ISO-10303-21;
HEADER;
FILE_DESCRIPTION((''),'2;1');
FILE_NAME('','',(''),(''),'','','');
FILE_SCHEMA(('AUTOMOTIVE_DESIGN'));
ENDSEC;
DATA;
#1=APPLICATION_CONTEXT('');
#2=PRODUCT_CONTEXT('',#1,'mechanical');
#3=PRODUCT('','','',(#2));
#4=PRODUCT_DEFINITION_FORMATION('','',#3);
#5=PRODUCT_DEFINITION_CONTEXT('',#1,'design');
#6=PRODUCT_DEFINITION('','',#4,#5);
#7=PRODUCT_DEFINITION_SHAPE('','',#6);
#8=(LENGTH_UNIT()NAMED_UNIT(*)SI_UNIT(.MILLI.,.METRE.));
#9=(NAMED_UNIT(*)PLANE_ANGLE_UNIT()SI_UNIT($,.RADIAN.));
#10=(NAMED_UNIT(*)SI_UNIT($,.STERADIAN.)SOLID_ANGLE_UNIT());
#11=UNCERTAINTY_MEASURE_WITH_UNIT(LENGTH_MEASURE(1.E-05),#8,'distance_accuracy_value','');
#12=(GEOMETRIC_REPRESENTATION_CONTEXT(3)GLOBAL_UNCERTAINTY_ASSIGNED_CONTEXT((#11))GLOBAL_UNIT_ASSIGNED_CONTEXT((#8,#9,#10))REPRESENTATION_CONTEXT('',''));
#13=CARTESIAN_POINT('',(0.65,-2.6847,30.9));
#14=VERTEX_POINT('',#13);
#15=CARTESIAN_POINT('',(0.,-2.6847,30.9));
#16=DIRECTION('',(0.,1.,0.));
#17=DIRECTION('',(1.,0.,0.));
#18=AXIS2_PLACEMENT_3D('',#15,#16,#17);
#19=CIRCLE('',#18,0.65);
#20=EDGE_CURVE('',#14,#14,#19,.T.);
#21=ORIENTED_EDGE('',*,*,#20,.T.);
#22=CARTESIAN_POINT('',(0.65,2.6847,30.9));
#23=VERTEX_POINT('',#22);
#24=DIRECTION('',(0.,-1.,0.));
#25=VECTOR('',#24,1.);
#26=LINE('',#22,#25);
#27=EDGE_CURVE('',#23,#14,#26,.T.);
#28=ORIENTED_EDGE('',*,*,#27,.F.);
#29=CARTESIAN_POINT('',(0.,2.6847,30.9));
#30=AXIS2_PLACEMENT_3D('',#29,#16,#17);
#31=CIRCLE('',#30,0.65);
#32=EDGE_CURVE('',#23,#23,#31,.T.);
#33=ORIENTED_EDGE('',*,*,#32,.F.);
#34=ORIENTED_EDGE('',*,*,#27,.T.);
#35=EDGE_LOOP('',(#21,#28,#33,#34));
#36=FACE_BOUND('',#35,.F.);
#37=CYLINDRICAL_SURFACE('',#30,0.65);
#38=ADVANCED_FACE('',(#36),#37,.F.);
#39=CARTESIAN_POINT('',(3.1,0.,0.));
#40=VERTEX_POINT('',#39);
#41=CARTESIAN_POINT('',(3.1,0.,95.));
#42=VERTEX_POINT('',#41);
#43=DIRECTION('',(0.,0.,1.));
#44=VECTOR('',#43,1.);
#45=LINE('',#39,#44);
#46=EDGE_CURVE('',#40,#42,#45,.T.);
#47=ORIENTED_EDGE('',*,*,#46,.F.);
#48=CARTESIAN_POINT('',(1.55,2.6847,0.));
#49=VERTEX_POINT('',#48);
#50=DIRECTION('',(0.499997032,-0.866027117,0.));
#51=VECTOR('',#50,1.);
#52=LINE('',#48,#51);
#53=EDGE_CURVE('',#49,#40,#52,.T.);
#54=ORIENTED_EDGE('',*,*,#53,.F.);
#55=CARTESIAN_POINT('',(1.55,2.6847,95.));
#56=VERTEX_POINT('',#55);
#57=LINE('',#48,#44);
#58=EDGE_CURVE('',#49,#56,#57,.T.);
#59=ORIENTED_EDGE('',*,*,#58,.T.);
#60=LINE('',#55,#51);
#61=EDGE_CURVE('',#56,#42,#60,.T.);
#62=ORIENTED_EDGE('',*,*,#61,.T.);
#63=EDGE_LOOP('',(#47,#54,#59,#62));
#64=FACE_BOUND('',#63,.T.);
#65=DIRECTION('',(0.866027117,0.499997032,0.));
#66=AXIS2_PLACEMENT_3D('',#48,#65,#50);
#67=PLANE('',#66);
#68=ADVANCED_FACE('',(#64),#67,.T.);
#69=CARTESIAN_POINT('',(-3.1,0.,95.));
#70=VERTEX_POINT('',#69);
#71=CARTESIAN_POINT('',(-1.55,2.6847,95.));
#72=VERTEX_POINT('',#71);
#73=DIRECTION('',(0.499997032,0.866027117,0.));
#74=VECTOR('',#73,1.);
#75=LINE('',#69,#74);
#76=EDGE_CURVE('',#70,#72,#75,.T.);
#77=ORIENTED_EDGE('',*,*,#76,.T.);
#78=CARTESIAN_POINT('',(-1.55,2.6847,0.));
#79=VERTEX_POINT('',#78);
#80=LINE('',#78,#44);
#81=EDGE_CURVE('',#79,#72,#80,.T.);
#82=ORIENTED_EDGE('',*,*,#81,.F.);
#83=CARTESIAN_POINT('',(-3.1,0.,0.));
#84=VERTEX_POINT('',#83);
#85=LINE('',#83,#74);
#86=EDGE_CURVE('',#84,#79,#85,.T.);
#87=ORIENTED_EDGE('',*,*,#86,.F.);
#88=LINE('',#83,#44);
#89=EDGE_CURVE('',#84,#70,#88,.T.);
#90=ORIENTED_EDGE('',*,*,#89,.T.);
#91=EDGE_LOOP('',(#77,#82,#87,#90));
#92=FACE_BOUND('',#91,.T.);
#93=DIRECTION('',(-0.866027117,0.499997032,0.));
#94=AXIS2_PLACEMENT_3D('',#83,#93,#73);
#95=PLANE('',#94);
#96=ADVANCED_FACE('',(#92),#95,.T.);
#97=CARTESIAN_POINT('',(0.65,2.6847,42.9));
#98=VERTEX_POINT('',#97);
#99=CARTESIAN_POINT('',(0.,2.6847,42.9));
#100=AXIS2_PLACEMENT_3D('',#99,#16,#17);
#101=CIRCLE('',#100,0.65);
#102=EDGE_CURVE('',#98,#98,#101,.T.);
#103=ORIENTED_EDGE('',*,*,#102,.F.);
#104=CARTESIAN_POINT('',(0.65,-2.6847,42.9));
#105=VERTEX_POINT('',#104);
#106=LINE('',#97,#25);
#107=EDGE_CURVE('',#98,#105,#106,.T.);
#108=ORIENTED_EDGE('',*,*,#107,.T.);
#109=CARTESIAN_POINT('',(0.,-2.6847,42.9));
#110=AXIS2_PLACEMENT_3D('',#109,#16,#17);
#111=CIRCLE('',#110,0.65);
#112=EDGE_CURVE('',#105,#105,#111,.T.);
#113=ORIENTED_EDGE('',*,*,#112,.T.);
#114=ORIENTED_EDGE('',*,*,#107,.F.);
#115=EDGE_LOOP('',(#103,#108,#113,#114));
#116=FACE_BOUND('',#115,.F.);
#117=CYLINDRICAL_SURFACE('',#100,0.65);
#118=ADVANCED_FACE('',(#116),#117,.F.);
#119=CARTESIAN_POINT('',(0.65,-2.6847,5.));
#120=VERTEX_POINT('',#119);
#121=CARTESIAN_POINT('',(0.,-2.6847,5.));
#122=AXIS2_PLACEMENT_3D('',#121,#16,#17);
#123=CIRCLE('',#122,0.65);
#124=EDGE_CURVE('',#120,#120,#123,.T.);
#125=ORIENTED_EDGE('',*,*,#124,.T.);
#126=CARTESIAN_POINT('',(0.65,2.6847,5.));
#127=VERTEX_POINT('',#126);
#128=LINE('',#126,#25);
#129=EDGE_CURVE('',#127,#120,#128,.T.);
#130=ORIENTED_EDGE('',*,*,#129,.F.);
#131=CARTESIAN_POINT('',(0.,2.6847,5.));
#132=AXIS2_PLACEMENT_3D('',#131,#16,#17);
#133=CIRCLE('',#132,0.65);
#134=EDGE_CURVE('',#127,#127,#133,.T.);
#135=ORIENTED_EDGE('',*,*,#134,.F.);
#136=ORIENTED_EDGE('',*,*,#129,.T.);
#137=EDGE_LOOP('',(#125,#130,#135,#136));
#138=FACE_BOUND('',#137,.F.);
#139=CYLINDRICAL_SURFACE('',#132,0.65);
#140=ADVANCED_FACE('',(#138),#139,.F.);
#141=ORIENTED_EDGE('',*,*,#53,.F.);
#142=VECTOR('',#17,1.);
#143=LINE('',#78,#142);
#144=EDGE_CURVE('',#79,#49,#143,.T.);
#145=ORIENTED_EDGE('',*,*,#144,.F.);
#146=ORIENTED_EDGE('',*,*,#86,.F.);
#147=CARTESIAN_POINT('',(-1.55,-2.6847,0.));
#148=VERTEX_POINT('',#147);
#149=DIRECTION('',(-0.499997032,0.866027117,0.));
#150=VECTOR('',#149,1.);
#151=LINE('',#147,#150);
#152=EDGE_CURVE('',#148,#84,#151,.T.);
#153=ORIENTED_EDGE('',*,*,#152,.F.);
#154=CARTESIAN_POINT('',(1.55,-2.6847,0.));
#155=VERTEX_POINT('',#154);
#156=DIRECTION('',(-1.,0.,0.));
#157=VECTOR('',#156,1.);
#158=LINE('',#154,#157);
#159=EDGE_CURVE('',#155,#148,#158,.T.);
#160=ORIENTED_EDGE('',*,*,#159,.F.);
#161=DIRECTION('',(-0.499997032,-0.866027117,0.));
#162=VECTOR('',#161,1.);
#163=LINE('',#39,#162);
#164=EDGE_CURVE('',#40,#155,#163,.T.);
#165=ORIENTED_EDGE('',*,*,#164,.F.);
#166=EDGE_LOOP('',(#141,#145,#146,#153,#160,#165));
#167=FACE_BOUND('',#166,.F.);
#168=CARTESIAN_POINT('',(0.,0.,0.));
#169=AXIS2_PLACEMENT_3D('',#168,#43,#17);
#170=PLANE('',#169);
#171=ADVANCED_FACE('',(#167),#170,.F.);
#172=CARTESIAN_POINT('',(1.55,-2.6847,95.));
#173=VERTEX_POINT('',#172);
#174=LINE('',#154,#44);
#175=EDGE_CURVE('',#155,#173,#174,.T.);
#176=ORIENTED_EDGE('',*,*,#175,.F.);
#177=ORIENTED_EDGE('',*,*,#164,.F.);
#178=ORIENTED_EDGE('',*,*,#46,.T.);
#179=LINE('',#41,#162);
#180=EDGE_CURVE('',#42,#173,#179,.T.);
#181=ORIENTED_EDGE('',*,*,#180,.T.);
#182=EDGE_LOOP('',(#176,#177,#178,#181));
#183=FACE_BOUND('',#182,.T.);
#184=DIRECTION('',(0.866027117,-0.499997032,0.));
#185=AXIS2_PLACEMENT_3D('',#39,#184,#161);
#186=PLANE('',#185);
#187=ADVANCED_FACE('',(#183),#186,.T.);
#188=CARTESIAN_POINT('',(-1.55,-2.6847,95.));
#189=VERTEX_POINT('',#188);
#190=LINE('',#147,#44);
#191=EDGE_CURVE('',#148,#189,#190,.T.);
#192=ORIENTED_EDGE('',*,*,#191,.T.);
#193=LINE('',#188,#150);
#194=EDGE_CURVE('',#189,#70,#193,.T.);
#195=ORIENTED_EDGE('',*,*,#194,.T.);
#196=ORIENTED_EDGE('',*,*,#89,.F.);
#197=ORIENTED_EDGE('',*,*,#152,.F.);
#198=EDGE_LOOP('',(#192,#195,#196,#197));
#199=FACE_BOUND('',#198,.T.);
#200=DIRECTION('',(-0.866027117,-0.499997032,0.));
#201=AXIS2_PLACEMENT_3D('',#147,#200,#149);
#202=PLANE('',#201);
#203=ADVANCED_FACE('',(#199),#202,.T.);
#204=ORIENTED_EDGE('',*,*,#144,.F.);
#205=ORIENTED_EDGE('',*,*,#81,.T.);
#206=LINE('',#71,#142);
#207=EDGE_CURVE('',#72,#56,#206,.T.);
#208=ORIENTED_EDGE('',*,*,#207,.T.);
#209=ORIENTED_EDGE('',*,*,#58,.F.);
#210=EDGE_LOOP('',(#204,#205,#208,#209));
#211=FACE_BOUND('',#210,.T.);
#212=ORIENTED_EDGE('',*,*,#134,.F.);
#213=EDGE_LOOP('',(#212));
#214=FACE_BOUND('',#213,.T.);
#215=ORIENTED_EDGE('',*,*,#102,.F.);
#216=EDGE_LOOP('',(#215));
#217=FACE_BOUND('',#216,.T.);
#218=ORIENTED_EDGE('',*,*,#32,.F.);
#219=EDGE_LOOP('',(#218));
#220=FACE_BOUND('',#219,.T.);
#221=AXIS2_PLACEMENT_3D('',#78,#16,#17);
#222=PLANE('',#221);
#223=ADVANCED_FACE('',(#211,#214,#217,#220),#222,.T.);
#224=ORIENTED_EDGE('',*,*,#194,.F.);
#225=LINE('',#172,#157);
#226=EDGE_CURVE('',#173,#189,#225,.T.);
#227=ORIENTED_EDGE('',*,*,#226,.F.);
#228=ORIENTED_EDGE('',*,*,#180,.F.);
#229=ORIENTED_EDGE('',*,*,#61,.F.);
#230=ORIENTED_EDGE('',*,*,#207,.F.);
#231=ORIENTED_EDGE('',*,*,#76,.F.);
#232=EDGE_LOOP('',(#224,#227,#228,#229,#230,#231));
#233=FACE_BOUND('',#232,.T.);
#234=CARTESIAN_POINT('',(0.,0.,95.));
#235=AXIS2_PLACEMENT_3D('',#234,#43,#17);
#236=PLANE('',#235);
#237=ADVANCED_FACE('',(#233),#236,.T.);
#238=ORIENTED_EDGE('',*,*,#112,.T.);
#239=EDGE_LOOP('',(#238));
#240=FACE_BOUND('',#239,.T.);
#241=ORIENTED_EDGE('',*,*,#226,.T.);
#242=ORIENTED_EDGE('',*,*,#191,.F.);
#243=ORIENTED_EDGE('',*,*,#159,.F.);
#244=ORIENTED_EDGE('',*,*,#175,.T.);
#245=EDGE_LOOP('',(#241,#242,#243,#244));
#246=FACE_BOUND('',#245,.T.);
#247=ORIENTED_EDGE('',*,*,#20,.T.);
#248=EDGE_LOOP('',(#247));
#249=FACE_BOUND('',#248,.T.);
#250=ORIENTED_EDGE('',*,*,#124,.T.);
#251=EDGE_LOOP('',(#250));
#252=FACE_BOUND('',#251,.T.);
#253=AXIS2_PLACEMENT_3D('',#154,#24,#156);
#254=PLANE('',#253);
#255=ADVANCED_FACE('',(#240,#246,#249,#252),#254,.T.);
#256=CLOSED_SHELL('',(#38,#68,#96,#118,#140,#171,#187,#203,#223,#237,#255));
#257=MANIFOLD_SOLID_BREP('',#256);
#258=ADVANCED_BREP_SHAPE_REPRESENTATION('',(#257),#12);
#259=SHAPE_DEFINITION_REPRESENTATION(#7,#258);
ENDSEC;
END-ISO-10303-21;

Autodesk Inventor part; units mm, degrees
ref_plane "YZ Plane" through (0, 0, 0) normal (1, 0, 0) x (0, 1, 0)
ref_plane "XZ Plane" through (0, 0, 0) normal (0, 1, 0) x (-1, 0, 0)
ref_plane "XY Plane" through (0, 0, 0) normal (0, 0, 1) x (1, 0, 0)
sketch "Sketch7" plane through (0, 0, 0) normal (0, 0, 1) x (1, 0, 0)
  line L0 (0, 0) -> (3.1, 0) construction
  circle A0 centre (0, 0) radius 3.1 construction
  line L1 (0, 0) -> (1.55, 2.6847) construction
  line L2 (0, 0) -> (-1.55, 2.6847) construction
  line L3 (0, 0) -> (-3.1, 0) construction
  line L4 (0, 0) -> (-1.55, -2.6847) construction
  line L5 (0, 0) -> (1.55, -2.6847) construction
  line L6 (-1.55, 2.6847) -> (1.55, 2.6847)
  line L7 (1.55, 2.6847) -> (3.1, 0)
  line L8 (3.1, 0) -> (1.55, -2.6847)
  line L9 (1.55, -2.6847) -> (-1.55, -2.6847)
  line L10 (-1.55, -2.6847) -> (-3.1, 0)
  line L11 (-3.1, 0) -> (-1.55, 2.6847)
  dimension "d17" = 3.1
  dimension "d20" = 360
extrude "Extrusion5" add sketch "Sketch7" along normal blind 95
sketch "Sketch8" plane through (-1.55, 2.6847, 0) normal (0, 1, 0) x (1, 0, 0)
  line L0 (3.1, -95) -> (0, -95) construction
  line L1 (3.1, 0) -> (0, 0) construction
  line L2 (0, -95) -> (3.1, -95) projected
  line L3 (1.55, -95) -> (1.55, 0) construction
  circle A0 centre (1.55, -30.9) radius 0.65
  circle A1 centre (1.55, -42.9) radius 0.65
  circle A2 centre (1.55, -5) radius 0.65
  dimension "d24" = 1.3
  dimension "d25" = 64.1
  dimension "d26" = 52.1
  dimension "d29" = 5
extrude "Extrusion6" cut sketch "Sketch8" against normal blind 6
properties part number "Eje_Entrada"
